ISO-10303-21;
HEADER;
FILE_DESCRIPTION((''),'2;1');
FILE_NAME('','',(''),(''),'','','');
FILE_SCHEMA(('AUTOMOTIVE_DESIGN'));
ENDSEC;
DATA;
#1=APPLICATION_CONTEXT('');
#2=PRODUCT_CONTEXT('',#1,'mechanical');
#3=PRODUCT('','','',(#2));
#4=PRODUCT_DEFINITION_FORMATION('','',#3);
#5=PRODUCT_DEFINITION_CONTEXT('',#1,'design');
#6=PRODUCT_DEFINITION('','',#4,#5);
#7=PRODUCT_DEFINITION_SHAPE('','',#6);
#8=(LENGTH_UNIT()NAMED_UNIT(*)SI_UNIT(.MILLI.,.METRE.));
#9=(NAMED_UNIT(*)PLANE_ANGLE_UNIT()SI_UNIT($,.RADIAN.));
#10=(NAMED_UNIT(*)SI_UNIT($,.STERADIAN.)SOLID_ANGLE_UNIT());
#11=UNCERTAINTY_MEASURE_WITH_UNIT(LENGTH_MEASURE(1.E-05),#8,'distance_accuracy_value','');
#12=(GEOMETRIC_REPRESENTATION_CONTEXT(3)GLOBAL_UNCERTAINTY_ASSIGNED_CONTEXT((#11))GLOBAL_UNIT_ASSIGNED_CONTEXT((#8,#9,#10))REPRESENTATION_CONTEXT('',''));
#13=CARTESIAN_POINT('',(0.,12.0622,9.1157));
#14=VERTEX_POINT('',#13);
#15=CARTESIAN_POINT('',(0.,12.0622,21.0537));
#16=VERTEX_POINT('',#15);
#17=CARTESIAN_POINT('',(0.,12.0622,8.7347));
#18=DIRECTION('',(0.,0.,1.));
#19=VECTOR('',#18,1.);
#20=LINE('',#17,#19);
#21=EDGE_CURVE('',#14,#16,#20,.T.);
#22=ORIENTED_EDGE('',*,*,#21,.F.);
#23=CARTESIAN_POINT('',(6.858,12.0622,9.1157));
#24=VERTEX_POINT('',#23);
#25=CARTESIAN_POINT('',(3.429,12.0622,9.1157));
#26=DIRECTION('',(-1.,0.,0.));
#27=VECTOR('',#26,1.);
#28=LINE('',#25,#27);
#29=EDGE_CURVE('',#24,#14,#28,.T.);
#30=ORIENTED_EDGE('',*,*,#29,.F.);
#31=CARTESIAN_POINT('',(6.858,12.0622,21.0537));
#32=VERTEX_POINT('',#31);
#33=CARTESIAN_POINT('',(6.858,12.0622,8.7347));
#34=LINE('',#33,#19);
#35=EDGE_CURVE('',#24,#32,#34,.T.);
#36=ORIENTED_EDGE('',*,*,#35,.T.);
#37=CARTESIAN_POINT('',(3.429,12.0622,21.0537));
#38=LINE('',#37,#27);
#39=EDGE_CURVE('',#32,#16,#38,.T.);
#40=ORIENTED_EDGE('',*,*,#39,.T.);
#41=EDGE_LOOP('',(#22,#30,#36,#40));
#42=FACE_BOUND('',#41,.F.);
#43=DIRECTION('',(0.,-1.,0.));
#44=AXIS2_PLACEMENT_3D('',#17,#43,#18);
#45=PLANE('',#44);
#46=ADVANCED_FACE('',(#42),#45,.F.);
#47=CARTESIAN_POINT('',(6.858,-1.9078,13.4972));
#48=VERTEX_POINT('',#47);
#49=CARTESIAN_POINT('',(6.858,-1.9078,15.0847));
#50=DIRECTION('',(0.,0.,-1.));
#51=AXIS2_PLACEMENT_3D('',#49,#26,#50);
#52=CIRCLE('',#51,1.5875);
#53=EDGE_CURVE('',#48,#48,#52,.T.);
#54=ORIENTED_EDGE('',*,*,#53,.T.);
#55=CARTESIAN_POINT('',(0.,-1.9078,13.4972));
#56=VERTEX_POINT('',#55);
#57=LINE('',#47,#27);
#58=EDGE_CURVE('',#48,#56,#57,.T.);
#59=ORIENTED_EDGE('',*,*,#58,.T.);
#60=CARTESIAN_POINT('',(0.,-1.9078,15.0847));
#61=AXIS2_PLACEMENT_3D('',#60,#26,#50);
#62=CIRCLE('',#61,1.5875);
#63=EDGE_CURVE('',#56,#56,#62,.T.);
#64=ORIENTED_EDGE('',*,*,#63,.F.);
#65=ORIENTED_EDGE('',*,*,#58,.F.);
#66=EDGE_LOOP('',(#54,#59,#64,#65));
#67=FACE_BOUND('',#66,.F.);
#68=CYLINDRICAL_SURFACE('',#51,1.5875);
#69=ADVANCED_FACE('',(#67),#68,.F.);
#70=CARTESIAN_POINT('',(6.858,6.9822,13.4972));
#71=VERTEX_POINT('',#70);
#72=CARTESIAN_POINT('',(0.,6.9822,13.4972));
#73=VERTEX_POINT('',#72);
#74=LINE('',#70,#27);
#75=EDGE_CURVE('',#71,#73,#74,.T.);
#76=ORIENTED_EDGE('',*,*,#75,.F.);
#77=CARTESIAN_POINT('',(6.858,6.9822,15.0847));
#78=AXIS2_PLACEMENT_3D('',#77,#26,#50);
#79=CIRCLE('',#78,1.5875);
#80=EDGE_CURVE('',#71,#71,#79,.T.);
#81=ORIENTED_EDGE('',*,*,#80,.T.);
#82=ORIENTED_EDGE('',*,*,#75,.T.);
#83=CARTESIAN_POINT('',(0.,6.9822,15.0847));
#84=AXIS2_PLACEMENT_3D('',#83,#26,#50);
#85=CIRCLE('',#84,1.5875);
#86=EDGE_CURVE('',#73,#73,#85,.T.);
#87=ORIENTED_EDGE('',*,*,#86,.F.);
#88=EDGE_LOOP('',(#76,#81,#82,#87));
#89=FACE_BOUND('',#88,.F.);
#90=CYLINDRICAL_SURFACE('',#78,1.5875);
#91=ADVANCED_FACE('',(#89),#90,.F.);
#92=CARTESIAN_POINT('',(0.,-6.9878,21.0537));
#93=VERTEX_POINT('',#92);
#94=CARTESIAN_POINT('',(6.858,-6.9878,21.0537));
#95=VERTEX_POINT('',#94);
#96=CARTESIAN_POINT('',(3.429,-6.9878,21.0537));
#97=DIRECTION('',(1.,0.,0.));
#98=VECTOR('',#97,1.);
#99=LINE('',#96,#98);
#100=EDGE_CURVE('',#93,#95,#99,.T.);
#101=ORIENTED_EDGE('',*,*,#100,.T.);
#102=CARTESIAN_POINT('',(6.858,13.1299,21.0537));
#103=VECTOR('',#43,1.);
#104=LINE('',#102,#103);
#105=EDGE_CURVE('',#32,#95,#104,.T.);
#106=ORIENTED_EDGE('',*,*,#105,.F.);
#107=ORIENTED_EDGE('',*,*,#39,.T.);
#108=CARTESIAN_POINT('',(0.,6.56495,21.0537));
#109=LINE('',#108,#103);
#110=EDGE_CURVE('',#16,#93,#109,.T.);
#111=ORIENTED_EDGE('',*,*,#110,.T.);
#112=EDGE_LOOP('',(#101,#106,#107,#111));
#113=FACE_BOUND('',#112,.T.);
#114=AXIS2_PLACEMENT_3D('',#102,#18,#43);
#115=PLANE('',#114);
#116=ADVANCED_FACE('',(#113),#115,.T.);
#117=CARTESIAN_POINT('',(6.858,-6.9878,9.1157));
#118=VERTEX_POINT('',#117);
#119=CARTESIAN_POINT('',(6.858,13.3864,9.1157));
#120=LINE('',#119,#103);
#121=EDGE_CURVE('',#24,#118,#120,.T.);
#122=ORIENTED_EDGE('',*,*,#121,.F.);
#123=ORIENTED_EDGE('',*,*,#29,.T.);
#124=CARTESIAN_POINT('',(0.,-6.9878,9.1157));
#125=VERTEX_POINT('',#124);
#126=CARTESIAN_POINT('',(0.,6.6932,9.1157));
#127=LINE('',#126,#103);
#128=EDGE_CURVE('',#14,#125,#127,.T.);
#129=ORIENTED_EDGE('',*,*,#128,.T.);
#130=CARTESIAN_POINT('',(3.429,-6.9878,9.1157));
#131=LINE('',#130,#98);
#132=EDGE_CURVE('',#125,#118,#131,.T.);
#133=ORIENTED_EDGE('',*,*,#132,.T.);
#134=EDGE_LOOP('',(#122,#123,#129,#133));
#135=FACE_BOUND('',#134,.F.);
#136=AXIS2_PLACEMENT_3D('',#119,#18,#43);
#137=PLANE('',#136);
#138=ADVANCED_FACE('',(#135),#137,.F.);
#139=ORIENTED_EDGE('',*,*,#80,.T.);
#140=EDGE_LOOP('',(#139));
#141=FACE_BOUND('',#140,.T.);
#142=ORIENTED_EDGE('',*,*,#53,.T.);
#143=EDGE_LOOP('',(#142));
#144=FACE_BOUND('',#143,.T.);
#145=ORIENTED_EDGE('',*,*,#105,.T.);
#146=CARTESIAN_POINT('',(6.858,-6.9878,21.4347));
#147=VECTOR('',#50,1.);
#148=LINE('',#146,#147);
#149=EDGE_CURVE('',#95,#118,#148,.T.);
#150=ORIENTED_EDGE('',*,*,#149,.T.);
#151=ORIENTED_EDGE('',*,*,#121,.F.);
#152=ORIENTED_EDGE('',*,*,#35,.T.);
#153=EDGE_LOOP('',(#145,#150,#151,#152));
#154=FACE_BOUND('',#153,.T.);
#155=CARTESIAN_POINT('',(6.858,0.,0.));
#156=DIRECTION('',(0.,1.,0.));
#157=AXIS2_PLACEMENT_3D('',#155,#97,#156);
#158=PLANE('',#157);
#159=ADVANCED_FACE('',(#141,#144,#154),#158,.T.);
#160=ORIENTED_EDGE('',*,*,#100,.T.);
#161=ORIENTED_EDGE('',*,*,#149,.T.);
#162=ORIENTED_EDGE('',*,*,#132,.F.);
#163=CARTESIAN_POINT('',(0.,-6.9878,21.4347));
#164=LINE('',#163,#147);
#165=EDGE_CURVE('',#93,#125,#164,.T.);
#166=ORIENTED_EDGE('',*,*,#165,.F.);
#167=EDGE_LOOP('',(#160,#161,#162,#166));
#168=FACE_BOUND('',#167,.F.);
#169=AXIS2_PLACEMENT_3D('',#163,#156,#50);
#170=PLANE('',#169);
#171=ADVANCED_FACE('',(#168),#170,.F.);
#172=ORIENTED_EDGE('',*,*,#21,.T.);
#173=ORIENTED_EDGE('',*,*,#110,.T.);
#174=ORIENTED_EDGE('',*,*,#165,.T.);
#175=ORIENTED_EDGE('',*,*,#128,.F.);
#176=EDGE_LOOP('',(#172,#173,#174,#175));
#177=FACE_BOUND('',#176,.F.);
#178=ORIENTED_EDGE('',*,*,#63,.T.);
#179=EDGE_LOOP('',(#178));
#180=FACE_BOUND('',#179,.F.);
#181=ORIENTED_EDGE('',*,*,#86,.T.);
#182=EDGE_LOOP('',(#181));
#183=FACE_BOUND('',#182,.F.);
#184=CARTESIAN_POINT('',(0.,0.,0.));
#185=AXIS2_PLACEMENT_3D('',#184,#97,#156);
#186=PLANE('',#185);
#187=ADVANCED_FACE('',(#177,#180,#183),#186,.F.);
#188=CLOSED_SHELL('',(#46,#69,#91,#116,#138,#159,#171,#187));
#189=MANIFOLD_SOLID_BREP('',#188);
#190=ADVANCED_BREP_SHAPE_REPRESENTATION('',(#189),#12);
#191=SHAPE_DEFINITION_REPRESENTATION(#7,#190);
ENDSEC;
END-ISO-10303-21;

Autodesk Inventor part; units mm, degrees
ref_plane "YZ Plane" through (0, 0, 0) normal (1, 0, 0) x (0, 1, 0)
ref_plane "XZ Plane" through (0, 0, 0) normal (0, 1, 0) x (-1, 0, 0)
ref_plane "XY Plane" through (0, 0, 0) normal (0, 0, 1) x (1, 0, 0)
sketch "Sketch1" plane through (0, 0, 0) normal (1, 0, 0) x (0, 1, 0)
  line L0 (12.0622, 21.4347) -> (-6.9878, 21.4347)
  line L1 (-6.9878, 21.4347) -> (-6.9878, 8.7347)
  line L2 (-6.9878, 8.7347) -> (12.0622, 8.7347)
  line L3 (12.0622, 8.7347) -> (12.0622, 21.4347)
  point P0 (0, 0)
  dimension "d0" = 12.7
  dimension "d1" = 19.05
extrude "Extrusion1" add sketch "Sketch1" along normal blind 6.858
sketch "Sketch2" plane through (6.858, 0, 0) normal (1, 0, 0) x (0, 0, -1)
  line L0 (-8.7347, -6.9878) -> (-8.7347, 12.0622) projected
  line L1 (-8.7347, 12.0622) -> (-21.4347, 12.0622) projected
  point P0 (0, 0)
  point P1 (-15.0847, 6.9822)
  point P2 (-15.0847, -1.9078)
  dimension "d4" = 6.35
  dimension "d5" = 6.35
  dimension "d6" = 13.97
  dimension "d7" = 5.08
hole "Hole1" at (6.858, 6.9822, 15.0847) at (6.858, -1.9078, 15.0847) direction (-1, 0, 0) diameter 3.175 end through all
sketch "Sketch3" plane through (6.858, 0, 0) normal (1, 0, 0) x (0, 0, -1)
  line L0 (-23.9685, 13.1299) -> (-21.0537, 13.1299)
  line L1 (-21.0537, 13.1299) -> (-21.0537, -8.0318)
  line L2 (-21.0537, -8.0318) -> (-23.9685, -8.0318)
  line L3 (-23.9685, -8.0318) -> (-23.9685, 13.1299)
  line L4 (-7.9023, 13.3864) -> (-9.1157, 13.3864)
  line L5 (-9.1157, 13.3864) -> (-9.1157, -8.3525)
  line L6 (-9.1157, -8.3525) -> (-7.9023, -8.3525)
  line L7 (-7.9023, -8.3525) -> (-7.9023, 13.3864)
  line L8 (-21.4347, 12.0622) -> (-21.4347, -6.9878) projected
  line L9 (-8.7347, -6.9878) -> (-8.7347, 12.0622) projected
  point P0 (0, 0)
  dimension "d15" = 0.381
  dimension "d16" = 0.381
extrude "Extrusion2" cut sketch "Sketch3" against normal blind 25.4
properties part number "SliderBlock"
